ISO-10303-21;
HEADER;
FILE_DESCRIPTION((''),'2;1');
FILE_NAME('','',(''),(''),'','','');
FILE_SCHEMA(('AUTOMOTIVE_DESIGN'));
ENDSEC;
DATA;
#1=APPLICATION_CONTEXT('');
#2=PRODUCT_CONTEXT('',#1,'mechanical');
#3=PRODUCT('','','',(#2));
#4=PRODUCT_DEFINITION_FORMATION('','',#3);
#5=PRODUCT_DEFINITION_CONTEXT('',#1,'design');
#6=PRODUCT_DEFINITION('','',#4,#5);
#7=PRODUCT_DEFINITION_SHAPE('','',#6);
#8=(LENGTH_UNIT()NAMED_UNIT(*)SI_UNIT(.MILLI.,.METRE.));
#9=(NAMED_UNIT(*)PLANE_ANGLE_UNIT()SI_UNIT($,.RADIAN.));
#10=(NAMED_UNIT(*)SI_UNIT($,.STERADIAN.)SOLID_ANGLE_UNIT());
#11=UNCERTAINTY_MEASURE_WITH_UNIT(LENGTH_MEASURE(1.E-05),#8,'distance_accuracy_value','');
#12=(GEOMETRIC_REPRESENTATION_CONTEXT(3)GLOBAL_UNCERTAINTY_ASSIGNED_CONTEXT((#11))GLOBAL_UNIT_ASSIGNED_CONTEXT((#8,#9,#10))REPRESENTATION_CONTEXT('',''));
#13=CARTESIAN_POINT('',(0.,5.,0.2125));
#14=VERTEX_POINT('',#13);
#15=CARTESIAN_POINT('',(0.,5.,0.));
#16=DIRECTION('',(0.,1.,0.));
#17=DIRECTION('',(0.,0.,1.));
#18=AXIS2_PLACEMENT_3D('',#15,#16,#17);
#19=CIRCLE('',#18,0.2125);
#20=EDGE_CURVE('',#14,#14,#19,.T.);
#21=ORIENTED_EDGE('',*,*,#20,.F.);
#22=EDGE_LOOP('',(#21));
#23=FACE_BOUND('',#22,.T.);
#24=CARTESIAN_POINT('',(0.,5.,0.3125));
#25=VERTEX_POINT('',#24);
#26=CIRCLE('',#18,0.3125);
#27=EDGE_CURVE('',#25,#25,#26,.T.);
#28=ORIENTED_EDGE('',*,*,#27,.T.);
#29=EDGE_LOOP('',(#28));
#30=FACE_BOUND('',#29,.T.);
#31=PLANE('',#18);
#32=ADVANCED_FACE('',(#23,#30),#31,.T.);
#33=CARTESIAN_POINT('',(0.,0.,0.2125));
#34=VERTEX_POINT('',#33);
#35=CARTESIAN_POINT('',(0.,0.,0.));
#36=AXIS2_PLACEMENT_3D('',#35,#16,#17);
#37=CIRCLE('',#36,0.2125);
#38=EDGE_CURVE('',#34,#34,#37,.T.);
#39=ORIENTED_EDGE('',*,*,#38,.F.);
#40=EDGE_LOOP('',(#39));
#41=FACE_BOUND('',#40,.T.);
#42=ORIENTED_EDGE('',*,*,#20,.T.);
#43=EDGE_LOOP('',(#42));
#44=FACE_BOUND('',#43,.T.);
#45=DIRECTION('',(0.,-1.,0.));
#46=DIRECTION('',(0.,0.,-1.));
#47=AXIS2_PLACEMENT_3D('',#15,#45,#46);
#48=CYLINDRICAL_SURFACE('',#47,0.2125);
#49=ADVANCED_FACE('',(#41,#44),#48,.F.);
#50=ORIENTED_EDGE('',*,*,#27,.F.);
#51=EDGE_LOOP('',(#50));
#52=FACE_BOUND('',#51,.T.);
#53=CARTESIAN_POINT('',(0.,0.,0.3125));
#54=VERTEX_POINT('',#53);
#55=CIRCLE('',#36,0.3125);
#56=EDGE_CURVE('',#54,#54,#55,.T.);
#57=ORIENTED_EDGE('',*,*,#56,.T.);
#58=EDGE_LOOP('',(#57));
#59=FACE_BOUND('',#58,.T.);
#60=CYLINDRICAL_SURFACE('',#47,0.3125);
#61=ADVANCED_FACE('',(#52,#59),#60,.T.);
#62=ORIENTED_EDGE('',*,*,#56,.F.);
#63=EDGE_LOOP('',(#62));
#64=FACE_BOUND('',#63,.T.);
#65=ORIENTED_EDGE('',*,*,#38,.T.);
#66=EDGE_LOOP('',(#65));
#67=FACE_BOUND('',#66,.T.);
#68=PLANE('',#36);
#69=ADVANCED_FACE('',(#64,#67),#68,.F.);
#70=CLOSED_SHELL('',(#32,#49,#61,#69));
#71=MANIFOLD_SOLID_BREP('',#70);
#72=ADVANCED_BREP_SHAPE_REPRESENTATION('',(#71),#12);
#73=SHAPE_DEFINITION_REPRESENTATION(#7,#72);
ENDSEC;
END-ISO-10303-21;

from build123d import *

# Parameters (mm, degrees)
SKETCH1_R           = 0.3125
SKETCH1_R_2         = 0.2125
BOSS_EXTRUDE1_DEPTH = 5


with BuildPart() as part:
    # Sketch1 → Boss-Extrude1 (new body)
    with BuildSketch(Plane(origin=(0, 0, 0), x_dir=(1, 0, 0), z_dir=(0, 1, 0))):
        Circle(SKETCH1_R)
        Circle(SKETCH1_R_2, mode=Mode.SUBTRACT)
    extrude(amount=BOSS_EXTRUDE1_DEPTH)


solid = part.part
